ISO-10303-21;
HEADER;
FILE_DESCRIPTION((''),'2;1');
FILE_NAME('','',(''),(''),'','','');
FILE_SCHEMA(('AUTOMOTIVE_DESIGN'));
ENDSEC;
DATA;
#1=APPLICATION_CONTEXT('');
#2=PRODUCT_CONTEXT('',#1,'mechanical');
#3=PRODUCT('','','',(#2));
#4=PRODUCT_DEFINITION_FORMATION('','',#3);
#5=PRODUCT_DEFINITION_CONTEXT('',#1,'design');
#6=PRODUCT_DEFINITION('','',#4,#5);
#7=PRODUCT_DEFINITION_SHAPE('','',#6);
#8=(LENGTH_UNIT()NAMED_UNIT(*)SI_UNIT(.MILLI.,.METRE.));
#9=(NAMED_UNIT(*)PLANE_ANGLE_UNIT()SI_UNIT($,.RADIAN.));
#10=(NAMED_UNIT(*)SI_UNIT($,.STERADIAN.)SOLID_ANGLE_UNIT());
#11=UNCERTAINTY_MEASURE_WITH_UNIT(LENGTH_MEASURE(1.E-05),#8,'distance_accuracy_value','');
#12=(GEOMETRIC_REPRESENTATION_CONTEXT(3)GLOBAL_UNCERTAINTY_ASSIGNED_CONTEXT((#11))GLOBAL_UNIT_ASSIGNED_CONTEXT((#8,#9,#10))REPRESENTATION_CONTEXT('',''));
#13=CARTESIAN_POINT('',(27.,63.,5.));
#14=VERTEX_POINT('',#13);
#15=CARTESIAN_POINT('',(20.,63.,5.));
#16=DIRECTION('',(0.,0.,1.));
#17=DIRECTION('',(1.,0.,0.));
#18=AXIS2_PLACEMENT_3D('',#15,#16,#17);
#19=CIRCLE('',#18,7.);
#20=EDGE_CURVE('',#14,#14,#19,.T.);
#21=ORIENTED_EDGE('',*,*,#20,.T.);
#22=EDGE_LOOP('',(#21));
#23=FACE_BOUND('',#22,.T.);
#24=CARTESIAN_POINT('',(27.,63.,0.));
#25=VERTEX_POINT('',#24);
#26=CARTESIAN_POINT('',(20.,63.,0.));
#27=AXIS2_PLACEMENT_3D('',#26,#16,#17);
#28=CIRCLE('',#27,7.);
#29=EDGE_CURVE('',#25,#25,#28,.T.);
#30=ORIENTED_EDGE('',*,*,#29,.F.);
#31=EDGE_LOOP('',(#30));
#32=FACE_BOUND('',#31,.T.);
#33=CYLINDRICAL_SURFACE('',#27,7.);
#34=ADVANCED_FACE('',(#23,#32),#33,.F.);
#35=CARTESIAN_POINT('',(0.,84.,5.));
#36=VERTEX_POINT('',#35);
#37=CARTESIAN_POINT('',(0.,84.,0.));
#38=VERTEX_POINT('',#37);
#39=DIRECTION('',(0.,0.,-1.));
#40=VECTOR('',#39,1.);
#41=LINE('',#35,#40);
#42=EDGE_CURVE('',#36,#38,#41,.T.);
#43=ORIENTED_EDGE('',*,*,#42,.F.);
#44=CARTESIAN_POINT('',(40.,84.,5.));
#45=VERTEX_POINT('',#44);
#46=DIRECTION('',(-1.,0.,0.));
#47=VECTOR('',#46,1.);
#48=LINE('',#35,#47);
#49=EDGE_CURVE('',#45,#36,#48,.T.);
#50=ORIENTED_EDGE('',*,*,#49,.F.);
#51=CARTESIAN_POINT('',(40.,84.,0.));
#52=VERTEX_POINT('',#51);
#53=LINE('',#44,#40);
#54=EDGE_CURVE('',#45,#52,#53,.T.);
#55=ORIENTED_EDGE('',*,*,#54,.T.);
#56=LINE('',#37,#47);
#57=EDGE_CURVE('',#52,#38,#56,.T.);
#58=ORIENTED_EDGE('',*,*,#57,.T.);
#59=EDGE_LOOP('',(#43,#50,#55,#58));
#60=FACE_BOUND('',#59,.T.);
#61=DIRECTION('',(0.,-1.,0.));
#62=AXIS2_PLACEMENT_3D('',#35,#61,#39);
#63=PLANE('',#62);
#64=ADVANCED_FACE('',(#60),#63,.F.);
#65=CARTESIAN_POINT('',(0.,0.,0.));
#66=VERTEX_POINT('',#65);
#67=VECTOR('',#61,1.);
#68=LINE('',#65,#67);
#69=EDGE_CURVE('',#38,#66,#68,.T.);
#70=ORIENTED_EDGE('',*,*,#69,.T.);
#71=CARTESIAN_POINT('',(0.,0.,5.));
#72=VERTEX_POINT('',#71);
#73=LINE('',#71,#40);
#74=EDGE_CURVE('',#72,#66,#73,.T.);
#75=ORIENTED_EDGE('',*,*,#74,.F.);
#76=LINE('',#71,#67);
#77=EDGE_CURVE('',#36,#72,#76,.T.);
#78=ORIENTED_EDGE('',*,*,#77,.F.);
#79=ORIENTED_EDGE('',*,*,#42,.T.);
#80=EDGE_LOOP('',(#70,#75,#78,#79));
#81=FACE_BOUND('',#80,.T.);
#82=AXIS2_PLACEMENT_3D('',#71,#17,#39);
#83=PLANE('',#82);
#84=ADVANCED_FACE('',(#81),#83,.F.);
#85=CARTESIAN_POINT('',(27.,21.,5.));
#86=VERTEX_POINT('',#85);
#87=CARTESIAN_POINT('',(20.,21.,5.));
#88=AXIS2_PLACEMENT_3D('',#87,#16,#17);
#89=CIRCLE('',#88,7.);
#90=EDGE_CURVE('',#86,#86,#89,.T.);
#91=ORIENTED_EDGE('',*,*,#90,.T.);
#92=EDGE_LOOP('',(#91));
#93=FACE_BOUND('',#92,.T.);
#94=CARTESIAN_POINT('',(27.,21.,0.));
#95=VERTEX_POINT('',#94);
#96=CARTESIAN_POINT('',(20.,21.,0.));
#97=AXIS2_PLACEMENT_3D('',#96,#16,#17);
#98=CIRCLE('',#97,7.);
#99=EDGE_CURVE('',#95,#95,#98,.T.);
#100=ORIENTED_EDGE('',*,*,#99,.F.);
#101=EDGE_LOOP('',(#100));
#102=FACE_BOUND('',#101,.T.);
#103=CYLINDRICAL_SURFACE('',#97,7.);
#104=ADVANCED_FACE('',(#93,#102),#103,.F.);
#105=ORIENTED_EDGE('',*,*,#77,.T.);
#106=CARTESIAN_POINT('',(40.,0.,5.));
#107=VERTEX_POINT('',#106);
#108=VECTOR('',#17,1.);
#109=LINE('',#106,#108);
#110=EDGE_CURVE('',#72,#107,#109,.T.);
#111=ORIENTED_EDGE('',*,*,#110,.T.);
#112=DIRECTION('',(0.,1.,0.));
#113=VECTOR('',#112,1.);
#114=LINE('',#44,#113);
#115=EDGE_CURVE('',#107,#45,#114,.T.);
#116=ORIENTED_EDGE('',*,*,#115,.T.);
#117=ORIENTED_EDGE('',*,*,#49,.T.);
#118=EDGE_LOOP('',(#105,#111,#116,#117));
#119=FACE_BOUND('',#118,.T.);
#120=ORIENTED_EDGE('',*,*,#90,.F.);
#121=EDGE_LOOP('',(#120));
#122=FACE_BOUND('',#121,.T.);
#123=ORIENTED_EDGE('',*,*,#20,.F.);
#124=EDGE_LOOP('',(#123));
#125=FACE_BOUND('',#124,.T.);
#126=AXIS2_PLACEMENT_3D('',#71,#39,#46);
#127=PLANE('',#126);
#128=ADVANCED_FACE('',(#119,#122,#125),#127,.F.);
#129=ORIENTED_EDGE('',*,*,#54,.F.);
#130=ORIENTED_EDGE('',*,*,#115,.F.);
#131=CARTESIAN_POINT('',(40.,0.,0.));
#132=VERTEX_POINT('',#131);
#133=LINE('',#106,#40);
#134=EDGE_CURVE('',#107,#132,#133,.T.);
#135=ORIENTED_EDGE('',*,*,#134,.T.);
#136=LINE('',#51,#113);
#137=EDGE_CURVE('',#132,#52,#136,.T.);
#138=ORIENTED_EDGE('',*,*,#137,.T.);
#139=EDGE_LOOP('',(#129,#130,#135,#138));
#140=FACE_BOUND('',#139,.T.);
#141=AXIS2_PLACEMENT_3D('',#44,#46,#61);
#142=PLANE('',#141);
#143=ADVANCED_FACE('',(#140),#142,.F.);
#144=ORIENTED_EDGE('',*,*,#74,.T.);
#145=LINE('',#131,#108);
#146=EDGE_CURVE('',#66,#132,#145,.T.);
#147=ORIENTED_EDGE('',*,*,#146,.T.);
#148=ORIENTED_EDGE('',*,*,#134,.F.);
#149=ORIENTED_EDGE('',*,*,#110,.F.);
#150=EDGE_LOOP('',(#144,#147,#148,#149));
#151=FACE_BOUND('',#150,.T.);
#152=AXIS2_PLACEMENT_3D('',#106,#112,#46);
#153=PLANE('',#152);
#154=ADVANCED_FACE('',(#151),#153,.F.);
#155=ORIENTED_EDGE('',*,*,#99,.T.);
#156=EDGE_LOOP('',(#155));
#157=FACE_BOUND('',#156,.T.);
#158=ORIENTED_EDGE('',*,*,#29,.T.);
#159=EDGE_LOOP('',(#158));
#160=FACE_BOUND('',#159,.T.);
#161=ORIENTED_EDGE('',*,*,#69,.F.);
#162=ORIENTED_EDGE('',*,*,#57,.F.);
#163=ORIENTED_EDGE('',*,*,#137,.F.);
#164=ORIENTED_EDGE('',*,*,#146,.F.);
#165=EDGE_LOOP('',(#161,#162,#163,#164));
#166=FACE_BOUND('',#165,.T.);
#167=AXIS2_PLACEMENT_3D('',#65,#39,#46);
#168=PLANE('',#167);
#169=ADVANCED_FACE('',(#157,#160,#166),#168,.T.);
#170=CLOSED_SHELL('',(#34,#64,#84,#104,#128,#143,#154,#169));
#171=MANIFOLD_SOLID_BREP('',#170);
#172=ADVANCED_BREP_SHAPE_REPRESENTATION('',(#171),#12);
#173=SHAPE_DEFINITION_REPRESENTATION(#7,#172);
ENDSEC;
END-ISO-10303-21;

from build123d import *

# Parameters (mm, degrees)
CROQUIS4_W              = 40
CROQUIS4_H              = 84
SALIENTE_EXTRUIR3_DEPTH = 5
CROQUIS5_R              = 7
CORTAR_EXTRUIR1_DEPTH   = 5
CROQUIS5_3_R            = 7
CORTAR_EXTRUIR2_DEPTH   = 5


with BuildPart() as part:
    # Croquis4 → Saliente-Extruir3 (new body)
    with BuildSketch(Plane.XY):
        with Locations((20, 42)):
            Rectangle(CROQUIS4_W, CROQUIS4_H)
    extrude(amount=SALIENTE_EXTRUIR3_DEPTH)

    # Croquis5 → Cortar-Extruir1 (cut)
    with BuildSketch(Plane.XY.offset(5)):
        with Locations((20, 63)):
            Circle(CROQUIS5_R)
    extrude(amount=-CORTAR_EXTRUIR1_DEPTH, mode=Mode.SUBTRACT)

    # Croquis5<3> → Cortar-Extruir2 (cut)
    with BuildSketch(Plane.XY.offset(5)):
        with Locations((20, 21)):
            Circle(CROQUIS5_3_R)
    extrude(amount=-CORTAR_EXTRUIR2_DEPTH, mode=Mode.SUBTRACT)


solid = part.part
